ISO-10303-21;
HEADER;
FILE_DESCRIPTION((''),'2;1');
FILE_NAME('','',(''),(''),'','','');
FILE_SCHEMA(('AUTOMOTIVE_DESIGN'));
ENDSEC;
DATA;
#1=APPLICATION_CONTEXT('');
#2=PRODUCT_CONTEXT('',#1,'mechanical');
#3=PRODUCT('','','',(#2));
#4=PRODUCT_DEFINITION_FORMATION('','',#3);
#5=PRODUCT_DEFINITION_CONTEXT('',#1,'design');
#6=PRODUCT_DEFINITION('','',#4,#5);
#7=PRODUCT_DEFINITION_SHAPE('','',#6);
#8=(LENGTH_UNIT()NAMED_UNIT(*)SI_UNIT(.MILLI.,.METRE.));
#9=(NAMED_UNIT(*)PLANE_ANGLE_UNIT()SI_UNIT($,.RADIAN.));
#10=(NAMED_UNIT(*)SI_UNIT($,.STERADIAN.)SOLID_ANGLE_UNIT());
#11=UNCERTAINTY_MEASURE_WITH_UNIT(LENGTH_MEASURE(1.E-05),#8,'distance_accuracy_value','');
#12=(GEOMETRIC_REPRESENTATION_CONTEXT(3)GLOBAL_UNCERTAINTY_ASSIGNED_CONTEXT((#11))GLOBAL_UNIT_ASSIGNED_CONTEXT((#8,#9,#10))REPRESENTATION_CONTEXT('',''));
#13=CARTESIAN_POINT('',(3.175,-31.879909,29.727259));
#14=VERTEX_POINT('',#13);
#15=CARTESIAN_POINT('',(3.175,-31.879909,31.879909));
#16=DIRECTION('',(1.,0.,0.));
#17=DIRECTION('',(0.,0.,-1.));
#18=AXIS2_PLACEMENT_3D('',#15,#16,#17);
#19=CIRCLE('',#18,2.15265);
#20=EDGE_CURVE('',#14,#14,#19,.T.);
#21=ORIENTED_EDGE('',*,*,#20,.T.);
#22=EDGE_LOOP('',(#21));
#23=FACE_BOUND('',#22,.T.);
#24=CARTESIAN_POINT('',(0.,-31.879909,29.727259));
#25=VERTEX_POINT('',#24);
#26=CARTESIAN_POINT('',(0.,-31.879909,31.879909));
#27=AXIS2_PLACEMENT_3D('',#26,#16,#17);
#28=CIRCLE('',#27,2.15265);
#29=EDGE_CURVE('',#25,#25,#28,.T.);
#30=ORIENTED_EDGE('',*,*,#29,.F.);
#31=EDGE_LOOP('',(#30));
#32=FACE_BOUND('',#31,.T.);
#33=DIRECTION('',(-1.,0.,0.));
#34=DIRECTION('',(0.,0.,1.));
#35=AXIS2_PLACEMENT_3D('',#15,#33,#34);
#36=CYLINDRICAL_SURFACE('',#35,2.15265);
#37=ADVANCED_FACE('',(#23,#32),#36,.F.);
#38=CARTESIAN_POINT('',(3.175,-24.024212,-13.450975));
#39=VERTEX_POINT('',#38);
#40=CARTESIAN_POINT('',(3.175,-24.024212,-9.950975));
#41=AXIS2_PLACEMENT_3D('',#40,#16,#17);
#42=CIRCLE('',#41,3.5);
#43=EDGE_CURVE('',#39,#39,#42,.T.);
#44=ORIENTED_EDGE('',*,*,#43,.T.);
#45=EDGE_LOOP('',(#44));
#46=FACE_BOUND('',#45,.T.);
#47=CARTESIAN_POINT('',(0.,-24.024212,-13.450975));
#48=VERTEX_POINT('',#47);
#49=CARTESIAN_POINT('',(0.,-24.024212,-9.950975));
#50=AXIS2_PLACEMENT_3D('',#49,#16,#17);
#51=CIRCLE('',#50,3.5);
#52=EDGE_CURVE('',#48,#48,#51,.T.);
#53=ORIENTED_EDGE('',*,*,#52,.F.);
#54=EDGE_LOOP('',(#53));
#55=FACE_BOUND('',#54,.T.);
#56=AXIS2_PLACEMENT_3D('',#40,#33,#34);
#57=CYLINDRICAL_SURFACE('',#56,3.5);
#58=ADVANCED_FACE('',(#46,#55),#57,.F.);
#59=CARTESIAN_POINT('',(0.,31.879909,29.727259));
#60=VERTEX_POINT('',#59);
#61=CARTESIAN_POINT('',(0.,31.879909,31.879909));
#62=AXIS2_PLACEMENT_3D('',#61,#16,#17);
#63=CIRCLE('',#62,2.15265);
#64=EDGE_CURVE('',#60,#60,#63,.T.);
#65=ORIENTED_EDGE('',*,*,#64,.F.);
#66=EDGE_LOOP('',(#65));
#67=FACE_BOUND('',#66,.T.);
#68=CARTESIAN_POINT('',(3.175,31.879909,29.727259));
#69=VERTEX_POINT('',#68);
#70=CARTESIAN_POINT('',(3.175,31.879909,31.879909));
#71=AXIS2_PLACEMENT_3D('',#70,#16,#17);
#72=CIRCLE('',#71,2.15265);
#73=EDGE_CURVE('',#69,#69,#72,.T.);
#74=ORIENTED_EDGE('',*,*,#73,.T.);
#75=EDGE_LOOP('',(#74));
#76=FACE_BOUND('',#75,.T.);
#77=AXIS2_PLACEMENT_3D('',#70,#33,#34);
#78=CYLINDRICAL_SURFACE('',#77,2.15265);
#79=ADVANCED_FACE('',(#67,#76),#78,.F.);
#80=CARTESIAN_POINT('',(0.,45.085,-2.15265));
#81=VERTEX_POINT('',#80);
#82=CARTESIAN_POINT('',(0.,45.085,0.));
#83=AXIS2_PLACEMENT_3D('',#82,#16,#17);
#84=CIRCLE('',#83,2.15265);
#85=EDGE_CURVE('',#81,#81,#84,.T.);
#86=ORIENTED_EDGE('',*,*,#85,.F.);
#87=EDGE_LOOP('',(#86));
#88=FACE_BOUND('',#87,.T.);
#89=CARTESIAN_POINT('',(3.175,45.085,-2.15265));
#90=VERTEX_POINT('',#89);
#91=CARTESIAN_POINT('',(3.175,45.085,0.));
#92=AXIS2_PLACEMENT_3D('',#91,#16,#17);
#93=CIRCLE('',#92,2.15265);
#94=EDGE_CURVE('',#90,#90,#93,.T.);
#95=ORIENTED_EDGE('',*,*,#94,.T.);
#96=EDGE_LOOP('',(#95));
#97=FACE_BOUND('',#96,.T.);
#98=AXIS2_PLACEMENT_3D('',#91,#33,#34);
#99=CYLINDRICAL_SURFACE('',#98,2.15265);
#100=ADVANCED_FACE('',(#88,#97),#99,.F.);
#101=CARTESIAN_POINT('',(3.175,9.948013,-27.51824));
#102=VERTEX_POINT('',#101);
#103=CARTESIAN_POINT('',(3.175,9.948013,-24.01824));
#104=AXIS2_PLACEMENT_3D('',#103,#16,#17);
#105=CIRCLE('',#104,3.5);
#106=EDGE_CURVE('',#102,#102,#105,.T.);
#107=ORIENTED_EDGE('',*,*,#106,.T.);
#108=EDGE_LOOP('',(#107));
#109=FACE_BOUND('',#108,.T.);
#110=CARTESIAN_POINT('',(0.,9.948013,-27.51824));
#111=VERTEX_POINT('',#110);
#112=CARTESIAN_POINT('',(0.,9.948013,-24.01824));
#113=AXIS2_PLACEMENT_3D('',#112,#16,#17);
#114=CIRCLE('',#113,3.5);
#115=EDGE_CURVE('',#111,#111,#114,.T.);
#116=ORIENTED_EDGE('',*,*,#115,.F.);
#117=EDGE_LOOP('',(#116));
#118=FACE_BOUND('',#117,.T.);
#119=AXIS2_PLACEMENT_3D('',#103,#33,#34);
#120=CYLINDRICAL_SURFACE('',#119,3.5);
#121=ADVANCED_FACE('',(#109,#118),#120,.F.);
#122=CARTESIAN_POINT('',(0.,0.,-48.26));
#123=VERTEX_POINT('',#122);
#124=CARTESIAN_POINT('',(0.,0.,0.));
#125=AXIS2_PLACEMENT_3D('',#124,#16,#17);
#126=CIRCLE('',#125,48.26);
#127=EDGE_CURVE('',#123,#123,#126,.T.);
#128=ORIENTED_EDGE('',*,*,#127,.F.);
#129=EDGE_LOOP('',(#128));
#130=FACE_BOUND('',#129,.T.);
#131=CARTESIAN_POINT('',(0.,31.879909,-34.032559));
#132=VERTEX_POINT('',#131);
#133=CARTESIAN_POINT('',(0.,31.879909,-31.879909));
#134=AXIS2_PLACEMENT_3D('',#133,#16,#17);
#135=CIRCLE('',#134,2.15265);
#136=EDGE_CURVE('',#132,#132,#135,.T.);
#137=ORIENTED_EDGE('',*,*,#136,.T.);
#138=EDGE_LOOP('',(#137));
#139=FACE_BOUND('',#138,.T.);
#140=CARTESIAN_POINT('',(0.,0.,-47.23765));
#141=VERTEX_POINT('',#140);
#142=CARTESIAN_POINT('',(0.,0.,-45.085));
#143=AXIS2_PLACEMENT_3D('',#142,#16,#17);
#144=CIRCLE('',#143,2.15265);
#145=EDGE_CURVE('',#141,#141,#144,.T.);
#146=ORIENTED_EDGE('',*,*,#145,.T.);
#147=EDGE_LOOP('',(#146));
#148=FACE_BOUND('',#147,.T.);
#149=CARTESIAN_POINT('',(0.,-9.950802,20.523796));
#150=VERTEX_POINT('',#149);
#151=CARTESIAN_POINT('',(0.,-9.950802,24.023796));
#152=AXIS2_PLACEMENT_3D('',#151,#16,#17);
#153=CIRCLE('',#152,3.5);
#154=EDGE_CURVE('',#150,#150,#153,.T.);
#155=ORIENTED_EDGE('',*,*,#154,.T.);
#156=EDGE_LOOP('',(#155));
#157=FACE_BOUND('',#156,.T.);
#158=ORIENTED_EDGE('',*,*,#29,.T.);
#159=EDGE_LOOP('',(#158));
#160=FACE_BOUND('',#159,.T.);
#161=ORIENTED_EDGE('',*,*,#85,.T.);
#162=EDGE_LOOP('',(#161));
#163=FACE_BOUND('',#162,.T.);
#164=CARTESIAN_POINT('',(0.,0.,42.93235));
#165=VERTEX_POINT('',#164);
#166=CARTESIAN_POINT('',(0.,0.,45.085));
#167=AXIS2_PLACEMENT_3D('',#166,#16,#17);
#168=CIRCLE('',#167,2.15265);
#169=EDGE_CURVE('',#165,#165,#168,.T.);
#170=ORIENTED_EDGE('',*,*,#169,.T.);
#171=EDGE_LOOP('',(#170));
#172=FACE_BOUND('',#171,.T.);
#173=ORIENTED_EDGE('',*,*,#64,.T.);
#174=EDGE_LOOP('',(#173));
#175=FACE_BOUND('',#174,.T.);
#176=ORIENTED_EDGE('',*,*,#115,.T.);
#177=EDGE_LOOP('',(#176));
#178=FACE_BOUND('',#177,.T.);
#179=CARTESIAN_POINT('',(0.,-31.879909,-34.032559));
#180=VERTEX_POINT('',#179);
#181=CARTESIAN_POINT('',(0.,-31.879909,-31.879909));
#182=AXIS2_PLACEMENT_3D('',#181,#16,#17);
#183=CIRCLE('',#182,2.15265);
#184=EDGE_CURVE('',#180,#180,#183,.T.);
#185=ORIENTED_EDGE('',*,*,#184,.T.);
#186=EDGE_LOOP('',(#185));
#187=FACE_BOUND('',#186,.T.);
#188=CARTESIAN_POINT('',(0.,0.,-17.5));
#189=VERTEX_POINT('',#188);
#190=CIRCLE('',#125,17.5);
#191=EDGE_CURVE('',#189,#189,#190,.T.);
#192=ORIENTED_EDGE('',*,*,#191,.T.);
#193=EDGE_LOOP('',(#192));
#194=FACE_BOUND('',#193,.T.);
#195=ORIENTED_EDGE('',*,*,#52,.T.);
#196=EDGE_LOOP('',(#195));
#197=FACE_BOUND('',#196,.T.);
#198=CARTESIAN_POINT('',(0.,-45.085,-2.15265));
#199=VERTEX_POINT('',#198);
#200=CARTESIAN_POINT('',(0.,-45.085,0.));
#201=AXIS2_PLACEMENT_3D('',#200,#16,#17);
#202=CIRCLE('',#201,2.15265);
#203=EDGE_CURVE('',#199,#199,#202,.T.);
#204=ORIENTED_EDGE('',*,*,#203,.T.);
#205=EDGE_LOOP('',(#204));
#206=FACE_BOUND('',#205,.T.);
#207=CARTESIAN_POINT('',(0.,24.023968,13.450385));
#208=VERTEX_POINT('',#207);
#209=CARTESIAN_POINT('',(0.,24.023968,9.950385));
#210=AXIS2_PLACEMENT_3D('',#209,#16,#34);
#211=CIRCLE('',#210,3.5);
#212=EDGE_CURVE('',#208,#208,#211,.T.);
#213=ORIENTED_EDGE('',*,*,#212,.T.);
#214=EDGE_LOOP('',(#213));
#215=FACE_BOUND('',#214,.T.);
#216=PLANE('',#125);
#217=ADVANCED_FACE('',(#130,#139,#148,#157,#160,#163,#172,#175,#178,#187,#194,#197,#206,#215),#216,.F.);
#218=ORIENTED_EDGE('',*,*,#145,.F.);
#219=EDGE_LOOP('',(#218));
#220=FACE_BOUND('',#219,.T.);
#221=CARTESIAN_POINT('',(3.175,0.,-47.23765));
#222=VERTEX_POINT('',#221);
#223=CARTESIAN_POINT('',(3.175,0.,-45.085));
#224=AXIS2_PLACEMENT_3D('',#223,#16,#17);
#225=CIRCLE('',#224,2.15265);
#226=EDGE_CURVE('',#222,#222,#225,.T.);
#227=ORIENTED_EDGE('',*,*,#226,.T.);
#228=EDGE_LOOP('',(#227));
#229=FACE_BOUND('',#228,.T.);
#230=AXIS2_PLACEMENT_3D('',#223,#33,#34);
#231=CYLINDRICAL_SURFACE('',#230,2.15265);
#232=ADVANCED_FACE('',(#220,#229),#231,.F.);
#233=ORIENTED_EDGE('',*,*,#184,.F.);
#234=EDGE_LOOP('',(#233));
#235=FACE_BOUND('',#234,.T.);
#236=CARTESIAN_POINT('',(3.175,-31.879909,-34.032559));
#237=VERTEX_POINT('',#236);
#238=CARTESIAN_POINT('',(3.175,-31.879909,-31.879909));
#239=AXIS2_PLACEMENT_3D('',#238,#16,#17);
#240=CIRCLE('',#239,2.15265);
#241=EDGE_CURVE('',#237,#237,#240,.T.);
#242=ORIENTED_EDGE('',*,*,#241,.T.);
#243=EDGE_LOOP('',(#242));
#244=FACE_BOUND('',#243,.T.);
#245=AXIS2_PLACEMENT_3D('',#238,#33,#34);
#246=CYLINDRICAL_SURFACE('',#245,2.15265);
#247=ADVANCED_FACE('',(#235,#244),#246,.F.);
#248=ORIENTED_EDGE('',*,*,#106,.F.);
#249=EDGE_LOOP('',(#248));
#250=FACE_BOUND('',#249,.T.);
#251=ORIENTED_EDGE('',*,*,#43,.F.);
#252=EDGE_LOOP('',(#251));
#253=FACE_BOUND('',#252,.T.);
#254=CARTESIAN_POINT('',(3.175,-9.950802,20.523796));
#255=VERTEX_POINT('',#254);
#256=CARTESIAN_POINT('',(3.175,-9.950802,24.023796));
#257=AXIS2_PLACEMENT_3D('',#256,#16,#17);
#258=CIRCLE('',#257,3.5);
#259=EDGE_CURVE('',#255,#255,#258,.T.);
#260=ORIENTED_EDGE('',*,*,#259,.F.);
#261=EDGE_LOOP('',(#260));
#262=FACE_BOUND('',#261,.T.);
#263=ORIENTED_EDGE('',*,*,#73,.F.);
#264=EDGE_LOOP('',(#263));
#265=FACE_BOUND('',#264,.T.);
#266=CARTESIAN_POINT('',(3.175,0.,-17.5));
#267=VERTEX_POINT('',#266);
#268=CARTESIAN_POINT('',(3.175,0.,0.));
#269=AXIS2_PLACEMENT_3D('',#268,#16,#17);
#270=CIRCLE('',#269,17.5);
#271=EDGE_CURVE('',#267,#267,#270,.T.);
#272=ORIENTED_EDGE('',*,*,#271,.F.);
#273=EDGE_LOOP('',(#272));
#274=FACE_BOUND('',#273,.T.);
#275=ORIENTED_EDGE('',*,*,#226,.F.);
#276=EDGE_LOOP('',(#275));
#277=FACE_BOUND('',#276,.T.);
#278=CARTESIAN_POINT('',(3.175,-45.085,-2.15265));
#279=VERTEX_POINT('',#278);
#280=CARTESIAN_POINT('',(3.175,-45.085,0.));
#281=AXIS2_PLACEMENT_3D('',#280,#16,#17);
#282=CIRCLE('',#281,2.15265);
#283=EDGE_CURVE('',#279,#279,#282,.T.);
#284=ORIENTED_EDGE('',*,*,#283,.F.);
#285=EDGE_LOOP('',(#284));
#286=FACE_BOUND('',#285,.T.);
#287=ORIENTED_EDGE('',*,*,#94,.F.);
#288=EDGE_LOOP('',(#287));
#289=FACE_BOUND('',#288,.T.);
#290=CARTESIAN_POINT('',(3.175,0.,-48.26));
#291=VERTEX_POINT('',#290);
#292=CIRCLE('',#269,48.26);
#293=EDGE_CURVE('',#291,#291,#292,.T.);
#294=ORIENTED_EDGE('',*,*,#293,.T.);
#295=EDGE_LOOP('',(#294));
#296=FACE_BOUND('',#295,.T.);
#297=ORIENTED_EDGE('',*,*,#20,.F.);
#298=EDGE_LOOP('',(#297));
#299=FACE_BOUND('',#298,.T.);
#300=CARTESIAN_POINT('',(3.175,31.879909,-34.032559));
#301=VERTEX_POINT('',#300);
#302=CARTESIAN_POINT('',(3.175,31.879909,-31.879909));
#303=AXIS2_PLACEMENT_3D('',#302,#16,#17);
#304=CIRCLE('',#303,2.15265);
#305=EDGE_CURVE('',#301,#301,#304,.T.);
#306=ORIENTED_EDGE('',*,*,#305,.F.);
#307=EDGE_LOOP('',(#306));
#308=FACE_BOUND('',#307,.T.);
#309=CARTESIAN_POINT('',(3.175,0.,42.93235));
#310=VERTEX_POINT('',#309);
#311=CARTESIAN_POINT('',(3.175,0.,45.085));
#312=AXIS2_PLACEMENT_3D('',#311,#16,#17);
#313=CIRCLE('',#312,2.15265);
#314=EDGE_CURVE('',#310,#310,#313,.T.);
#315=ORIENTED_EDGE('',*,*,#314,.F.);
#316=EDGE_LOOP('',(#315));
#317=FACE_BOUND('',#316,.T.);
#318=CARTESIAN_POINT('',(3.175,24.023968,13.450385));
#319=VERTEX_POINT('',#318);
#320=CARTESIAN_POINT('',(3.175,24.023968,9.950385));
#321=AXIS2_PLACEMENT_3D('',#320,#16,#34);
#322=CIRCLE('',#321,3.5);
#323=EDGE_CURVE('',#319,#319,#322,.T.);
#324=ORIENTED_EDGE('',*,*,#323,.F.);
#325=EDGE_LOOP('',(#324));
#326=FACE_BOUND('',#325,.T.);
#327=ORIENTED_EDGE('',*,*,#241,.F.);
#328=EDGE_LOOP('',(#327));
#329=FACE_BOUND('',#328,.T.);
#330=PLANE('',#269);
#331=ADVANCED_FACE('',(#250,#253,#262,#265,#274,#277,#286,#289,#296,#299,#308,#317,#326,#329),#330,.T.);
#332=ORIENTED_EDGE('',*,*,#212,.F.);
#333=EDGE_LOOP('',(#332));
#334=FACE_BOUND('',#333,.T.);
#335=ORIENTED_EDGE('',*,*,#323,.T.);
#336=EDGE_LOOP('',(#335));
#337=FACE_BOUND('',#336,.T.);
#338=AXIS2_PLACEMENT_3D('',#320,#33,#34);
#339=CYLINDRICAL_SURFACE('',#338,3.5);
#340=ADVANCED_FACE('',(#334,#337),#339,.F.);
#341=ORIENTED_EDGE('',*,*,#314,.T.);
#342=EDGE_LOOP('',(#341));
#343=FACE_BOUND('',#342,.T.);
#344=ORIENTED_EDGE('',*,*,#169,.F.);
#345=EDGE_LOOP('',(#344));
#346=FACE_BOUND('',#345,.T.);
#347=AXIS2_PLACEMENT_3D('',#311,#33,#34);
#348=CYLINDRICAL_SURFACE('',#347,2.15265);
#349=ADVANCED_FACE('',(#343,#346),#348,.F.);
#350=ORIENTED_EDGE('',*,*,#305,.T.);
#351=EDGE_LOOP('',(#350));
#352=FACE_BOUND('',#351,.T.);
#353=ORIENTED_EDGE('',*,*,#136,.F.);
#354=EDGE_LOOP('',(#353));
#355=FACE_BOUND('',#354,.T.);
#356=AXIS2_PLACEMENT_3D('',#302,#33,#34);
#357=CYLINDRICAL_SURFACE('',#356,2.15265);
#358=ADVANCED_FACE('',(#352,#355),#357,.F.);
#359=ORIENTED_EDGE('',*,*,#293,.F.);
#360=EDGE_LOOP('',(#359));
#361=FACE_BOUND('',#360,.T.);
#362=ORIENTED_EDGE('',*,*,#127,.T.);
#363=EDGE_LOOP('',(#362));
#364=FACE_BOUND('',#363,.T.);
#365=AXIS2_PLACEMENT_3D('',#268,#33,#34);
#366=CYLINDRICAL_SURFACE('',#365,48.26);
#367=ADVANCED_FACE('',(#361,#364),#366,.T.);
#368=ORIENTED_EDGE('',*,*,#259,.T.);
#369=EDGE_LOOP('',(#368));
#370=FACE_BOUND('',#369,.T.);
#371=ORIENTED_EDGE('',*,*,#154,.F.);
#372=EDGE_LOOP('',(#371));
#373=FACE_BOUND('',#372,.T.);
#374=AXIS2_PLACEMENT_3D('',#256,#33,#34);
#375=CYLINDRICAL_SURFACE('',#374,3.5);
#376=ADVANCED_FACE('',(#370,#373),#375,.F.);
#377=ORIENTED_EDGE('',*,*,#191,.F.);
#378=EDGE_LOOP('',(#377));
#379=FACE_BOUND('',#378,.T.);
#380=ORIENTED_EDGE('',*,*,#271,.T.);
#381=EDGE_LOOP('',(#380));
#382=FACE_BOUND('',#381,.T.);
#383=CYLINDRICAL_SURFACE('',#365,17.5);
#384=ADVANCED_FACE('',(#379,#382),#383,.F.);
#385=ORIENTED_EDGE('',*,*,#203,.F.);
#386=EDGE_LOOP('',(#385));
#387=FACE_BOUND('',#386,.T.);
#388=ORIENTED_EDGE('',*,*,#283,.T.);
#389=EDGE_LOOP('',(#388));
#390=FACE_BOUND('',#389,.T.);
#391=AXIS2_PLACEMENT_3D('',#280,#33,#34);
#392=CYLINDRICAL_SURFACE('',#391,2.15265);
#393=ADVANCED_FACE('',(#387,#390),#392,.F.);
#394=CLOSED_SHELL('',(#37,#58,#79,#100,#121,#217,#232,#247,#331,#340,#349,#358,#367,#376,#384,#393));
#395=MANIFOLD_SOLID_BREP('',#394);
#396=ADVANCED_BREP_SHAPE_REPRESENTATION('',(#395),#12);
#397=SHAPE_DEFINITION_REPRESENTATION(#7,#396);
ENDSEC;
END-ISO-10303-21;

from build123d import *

# Parameters (mm, degrees)
SKETCH1_R           = 48.26
SKETCH1_R_2         = 2.15265
SKETCH1_R_3         = 3.5
SKETCH1_R_4         = 17.5
BOSS_EXTRUDE1_DEPTH = 3.175


with BuildPart() as part:
    # Sketch1 → Boss-Extrude1 (new body)
    with BuildSketch(Plane(origin=(0, 0, 0), x_dir=(0, 0, -1), z_dir=(1, 0, 0))):
        Circle(SKETCH1_R)
        with Locations((0, 45.085)):
            Circle(SKETCH1_R_2, mode=Mode.SUBTRACT)
        with Locations((-24.023795501, -9.950801949)):
            Circle(SKETCH1_R_3, mode=Mode.SUBTRACT)
        with Locations((31.87990923, 31.87990923)):
            Circle(SKETCH1_R_2, mode=Mode.SUBTRACT)
        with Locations((45.085, 0)):
            Circle(SKETCH1_R_2, mode=Mode.SUBTRACT)
        with Locations((24.018239985, 9.948012748)):
            Circle(SKETCH1_R_3, mode=Mode.SUBTRACT)
        with Locations((-9.9503853, 24.023968076)):
            Circle(SKETCH1_R_3, mode=Mode.SUBTRACT)
        with Locations((31.87990923, -31.87990923)):
            Circle(SKETCH1_R_2, mode=Mode.SUBTRACT)
        with Locations((0, -45.085)):
            Circle(SKETCH1_R_2, mode=Mode.SUBTRACT)
        with Locations((-31.87990923, -31.87990923)):
            Circle(SKETCH1_R_2, mode=Mode.SUBTRACT)
        with Locations((-45.085, 0)):
            Circle(SKETCH1_R_2, mode=Mode.SUBTRACT)
        with Locations((-31.87990923, 31.87990923)):
            Circle(SKETCH1_R_2, mode=Mode.SUBTRACT)
        Circle(SKETCH1_R_4, mode=Mode.SUBTRACT)
        with Locations((9.950974523, -24.02421215)):
            Circle(SKETCH1_R_3, mode=Mode.SUBTRACT)
    extrude(amount=BOSS_EXTRUDE1_DEPTH)


solid = part.part
